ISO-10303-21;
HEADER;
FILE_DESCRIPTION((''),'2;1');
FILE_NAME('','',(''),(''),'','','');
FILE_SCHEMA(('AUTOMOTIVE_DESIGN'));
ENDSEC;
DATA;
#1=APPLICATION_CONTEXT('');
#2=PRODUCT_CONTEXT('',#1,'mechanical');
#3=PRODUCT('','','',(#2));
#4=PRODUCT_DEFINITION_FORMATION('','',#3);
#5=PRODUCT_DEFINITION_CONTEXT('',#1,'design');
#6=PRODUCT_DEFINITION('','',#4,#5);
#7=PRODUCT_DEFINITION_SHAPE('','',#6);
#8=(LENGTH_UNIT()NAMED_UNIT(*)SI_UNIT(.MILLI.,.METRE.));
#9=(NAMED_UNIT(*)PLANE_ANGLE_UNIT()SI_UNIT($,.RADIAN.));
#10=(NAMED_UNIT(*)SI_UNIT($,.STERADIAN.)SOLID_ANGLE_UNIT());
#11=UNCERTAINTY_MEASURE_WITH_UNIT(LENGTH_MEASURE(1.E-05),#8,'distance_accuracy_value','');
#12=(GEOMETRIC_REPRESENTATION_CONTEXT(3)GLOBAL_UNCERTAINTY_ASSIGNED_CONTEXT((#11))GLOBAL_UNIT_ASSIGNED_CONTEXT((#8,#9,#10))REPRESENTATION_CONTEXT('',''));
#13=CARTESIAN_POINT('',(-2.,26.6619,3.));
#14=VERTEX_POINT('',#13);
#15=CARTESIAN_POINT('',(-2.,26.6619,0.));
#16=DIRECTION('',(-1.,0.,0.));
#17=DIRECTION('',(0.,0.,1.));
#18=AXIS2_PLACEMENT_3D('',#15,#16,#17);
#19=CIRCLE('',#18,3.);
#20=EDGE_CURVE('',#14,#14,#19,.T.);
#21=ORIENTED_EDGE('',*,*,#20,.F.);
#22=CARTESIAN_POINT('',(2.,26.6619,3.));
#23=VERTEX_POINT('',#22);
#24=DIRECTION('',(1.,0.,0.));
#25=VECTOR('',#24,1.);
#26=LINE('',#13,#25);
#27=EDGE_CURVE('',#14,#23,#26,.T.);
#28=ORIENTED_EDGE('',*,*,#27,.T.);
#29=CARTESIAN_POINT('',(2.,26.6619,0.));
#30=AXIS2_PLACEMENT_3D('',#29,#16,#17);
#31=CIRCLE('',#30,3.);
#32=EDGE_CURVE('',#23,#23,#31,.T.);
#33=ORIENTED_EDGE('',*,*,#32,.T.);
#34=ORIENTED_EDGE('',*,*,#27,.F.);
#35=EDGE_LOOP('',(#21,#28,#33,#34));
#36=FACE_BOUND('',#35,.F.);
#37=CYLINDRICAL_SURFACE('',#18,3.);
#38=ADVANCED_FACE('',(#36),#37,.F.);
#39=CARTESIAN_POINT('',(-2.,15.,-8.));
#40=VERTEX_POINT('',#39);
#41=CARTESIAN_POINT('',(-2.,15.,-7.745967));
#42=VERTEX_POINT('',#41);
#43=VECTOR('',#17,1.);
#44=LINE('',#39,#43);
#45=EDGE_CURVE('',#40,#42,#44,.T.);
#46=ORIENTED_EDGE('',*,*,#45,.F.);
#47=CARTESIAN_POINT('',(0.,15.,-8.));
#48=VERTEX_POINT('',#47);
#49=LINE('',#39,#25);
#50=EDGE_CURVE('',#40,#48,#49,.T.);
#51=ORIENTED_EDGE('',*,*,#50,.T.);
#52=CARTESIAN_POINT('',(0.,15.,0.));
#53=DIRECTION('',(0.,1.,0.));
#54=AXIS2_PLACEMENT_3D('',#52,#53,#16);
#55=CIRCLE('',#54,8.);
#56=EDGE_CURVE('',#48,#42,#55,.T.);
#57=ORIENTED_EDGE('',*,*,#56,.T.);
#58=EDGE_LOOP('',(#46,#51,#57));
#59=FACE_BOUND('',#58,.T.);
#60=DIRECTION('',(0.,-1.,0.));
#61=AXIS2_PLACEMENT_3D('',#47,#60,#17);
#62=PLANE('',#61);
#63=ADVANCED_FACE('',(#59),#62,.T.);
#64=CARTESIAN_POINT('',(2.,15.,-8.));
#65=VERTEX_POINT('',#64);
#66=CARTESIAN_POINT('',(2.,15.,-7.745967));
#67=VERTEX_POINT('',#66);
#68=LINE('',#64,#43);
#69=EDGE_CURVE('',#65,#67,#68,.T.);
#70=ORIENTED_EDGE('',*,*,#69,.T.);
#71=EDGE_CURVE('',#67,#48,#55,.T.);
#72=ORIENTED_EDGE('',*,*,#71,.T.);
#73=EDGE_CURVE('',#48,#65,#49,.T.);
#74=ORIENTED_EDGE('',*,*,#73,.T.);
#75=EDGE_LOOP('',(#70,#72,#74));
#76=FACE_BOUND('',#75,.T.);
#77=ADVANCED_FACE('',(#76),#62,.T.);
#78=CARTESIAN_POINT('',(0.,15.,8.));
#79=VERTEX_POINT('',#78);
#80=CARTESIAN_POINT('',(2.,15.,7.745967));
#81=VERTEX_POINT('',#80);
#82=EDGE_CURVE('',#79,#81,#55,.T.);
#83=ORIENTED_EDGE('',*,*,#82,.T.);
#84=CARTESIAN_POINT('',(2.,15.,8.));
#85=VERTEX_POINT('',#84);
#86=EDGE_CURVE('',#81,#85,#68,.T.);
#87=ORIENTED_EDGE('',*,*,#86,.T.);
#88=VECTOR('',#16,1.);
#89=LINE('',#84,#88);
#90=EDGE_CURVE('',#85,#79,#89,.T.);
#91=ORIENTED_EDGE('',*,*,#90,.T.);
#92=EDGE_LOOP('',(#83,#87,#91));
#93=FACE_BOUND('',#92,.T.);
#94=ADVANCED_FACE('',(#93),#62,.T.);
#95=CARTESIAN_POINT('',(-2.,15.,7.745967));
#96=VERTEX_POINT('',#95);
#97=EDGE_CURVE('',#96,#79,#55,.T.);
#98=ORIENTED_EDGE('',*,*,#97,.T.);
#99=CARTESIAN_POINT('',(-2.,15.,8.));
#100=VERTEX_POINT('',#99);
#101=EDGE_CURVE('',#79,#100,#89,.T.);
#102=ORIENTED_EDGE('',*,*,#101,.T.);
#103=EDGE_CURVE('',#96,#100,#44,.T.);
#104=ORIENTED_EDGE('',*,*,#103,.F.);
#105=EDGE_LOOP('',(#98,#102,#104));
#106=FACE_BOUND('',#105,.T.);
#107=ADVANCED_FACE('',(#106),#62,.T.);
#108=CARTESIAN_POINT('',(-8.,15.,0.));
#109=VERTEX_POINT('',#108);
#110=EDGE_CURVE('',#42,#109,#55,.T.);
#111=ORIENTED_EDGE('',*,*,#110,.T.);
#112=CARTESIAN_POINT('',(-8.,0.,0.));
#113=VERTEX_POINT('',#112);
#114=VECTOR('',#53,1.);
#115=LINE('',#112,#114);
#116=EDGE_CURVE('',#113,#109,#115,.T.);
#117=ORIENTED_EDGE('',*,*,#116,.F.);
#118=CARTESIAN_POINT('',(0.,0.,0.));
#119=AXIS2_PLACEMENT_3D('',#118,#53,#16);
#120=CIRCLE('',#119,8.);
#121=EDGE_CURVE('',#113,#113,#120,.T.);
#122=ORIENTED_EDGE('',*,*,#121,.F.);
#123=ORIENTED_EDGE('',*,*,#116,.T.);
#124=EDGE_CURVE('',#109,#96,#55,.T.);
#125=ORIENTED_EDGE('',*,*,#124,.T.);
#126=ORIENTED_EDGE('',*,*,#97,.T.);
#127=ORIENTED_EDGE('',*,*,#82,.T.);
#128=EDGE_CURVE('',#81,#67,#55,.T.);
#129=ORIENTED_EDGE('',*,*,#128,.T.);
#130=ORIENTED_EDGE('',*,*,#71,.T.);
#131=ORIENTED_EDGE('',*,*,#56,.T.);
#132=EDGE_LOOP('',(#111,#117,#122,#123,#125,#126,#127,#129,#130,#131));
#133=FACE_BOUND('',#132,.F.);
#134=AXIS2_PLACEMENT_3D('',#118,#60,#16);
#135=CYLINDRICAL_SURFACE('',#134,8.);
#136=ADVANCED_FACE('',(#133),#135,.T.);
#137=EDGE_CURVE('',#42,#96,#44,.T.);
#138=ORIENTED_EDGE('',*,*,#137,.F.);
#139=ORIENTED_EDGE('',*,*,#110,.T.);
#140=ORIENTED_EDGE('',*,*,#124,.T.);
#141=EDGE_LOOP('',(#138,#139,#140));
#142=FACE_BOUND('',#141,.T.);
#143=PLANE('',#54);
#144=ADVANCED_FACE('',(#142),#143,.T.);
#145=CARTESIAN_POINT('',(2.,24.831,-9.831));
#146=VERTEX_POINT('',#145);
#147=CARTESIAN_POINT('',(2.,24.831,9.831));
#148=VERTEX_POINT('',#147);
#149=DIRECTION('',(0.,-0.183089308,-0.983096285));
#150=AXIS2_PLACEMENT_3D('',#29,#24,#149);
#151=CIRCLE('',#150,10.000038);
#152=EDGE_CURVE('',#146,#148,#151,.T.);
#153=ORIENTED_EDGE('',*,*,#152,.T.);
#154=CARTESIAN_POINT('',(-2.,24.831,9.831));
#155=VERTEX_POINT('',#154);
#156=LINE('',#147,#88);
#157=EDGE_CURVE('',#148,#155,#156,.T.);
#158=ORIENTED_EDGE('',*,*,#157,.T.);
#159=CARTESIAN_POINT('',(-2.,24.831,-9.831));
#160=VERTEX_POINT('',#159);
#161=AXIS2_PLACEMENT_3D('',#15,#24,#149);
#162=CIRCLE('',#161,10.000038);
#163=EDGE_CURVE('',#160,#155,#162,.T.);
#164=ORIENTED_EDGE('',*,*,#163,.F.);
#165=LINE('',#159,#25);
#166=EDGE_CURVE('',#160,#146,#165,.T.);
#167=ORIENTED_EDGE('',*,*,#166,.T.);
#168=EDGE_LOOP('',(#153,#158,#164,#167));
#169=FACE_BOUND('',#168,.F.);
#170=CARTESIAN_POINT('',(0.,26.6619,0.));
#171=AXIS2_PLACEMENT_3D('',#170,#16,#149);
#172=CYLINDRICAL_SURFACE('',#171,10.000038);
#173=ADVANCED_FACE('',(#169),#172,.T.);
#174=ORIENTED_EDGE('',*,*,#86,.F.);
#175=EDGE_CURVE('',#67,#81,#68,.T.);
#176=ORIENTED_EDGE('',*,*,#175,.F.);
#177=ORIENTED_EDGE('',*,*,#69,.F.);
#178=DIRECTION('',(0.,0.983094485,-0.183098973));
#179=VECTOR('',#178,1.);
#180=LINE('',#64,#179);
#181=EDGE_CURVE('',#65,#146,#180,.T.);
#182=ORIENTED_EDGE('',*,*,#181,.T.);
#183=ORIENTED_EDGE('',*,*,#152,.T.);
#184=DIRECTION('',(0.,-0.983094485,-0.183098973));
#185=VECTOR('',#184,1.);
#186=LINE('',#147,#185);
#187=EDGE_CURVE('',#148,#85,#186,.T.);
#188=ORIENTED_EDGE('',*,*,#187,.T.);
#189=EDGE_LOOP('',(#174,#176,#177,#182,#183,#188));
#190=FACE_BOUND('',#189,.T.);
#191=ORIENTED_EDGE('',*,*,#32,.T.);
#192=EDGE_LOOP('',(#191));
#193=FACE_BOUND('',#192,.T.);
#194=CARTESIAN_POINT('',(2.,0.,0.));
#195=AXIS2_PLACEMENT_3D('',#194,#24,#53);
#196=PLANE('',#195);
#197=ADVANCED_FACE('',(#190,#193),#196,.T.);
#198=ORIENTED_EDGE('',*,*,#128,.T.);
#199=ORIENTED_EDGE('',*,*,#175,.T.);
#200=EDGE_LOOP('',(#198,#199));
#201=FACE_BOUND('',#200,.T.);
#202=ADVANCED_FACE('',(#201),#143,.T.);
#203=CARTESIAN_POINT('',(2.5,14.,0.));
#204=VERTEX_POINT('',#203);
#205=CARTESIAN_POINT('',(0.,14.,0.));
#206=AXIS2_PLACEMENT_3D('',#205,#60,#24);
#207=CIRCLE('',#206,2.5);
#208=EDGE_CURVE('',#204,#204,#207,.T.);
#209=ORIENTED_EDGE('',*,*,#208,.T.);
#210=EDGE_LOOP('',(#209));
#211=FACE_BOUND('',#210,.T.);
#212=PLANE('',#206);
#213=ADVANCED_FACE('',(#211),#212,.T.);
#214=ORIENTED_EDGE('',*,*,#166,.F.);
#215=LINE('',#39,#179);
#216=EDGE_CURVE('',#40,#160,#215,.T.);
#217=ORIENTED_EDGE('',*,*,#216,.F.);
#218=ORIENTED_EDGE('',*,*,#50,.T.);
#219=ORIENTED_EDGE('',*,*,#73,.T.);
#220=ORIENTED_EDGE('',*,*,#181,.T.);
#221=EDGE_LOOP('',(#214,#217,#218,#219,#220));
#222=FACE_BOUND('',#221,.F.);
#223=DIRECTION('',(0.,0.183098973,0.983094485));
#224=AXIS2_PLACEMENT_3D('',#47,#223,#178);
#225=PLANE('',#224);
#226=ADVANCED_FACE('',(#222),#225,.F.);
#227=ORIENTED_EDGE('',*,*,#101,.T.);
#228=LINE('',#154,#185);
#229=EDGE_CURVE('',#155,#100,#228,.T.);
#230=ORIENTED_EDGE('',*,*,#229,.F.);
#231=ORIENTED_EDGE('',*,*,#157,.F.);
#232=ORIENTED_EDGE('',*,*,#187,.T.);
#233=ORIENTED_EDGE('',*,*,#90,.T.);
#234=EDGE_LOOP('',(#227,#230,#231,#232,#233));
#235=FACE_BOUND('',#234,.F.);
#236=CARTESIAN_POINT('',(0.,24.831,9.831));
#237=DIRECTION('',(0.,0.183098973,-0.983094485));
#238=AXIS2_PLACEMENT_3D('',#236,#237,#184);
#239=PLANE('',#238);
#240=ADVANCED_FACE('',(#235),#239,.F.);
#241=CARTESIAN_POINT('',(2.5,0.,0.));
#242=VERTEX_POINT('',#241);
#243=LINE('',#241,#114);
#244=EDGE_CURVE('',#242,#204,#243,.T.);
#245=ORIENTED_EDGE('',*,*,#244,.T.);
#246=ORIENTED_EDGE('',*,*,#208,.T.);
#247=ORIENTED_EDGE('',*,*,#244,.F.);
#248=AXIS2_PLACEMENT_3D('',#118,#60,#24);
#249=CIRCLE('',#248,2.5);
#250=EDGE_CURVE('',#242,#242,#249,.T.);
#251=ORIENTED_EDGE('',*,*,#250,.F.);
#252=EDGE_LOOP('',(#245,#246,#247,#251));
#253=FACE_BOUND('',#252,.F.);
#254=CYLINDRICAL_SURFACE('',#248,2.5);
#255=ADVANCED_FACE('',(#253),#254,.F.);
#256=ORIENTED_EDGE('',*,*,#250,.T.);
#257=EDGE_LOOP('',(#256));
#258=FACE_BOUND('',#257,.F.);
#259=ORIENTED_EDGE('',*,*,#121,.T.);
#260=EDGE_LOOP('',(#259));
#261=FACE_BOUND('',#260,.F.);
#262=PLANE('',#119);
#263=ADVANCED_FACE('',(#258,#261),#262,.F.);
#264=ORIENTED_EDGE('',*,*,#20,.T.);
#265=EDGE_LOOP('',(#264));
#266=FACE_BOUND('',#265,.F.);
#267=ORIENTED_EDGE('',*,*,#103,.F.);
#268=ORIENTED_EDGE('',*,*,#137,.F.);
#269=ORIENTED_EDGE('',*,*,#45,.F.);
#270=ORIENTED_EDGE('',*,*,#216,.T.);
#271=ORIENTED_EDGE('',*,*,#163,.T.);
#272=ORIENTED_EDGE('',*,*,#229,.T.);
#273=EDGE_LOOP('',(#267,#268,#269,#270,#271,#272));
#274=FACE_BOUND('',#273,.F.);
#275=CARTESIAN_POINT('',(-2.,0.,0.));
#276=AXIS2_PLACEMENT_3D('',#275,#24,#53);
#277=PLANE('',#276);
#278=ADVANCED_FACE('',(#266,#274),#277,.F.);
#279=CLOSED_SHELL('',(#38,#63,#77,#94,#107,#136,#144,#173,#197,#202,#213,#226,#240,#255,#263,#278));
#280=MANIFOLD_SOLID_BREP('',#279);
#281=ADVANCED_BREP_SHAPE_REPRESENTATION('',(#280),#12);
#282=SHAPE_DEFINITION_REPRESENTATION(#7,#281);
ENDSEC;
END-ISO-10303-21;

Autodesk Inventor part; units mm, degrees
ref_plane "YZ Plane" through (0, 0, 0) normal (1, 0, 0) x (0, 1, 0)
ref_plane "XZ Plane" through (0, 0, 0) normal (0, 1, 0) x (-1, 0, 0)
ref_plane "XY Plane" through (0, 0, 0) normal (0, 0, 1) x (1, 0, 0)
sketch "Boceto1" plane through (0, 0, 0) normal (0, 1, 0) x (-1, 0, 0)
  circle A0 centre (0, 0) radius 8
  dimension "d0" = 16
extrude "Extrusión1" add sketch "Boceto1" along normal blind 15
sketch "Boceto5" plane through (0, 0, 0) normal (1, 0, 0) x (0, 1, 0)
  line L0 (15, -8) -> (15, 8) projected
  line L1 (15, -8) -> (24.831, -9.831)
  arc A0 (24.831, -9.831) -> (24.831, 9.831) centre (26.6619, 0) ccw
  line L2 (24.831, 9.831) -> (15, 8)
  point P0 (0, 0)
  point P1 (15, 0)
  dimension "d18" = 10
  dimension "d27" = 10
extrude "Extrusión5" add sketch "Boceto5" along normal mid plane 4
sketch "Boceto6" plane through (-2, 0, 0) normal (-1, 0, 0) x (0, 0, 1)
  arc A0 (9.831, 24.831) -> (-9.831, 24.831) centre (0, 26.6619) ccw projected
  circle A1 centre (0, 26.6619) radius 3
  point P0 (0, 0)
  dimension "d28" = 6
extrude "Extrusión6" cut sketch "Boceto6" against normal blind 4
sketch "Boceto7" plane through (0, 0, 0) normal (0, -1, 0) x (1, 0, 0)
  circle A0 centre (0, 0) radius 2.5
  dimension "d24" = 5
extrude "Extrusión7" cut sketch "Boceto7" against normal blind 14
properties part number "shocks_holder" material "Goma"
